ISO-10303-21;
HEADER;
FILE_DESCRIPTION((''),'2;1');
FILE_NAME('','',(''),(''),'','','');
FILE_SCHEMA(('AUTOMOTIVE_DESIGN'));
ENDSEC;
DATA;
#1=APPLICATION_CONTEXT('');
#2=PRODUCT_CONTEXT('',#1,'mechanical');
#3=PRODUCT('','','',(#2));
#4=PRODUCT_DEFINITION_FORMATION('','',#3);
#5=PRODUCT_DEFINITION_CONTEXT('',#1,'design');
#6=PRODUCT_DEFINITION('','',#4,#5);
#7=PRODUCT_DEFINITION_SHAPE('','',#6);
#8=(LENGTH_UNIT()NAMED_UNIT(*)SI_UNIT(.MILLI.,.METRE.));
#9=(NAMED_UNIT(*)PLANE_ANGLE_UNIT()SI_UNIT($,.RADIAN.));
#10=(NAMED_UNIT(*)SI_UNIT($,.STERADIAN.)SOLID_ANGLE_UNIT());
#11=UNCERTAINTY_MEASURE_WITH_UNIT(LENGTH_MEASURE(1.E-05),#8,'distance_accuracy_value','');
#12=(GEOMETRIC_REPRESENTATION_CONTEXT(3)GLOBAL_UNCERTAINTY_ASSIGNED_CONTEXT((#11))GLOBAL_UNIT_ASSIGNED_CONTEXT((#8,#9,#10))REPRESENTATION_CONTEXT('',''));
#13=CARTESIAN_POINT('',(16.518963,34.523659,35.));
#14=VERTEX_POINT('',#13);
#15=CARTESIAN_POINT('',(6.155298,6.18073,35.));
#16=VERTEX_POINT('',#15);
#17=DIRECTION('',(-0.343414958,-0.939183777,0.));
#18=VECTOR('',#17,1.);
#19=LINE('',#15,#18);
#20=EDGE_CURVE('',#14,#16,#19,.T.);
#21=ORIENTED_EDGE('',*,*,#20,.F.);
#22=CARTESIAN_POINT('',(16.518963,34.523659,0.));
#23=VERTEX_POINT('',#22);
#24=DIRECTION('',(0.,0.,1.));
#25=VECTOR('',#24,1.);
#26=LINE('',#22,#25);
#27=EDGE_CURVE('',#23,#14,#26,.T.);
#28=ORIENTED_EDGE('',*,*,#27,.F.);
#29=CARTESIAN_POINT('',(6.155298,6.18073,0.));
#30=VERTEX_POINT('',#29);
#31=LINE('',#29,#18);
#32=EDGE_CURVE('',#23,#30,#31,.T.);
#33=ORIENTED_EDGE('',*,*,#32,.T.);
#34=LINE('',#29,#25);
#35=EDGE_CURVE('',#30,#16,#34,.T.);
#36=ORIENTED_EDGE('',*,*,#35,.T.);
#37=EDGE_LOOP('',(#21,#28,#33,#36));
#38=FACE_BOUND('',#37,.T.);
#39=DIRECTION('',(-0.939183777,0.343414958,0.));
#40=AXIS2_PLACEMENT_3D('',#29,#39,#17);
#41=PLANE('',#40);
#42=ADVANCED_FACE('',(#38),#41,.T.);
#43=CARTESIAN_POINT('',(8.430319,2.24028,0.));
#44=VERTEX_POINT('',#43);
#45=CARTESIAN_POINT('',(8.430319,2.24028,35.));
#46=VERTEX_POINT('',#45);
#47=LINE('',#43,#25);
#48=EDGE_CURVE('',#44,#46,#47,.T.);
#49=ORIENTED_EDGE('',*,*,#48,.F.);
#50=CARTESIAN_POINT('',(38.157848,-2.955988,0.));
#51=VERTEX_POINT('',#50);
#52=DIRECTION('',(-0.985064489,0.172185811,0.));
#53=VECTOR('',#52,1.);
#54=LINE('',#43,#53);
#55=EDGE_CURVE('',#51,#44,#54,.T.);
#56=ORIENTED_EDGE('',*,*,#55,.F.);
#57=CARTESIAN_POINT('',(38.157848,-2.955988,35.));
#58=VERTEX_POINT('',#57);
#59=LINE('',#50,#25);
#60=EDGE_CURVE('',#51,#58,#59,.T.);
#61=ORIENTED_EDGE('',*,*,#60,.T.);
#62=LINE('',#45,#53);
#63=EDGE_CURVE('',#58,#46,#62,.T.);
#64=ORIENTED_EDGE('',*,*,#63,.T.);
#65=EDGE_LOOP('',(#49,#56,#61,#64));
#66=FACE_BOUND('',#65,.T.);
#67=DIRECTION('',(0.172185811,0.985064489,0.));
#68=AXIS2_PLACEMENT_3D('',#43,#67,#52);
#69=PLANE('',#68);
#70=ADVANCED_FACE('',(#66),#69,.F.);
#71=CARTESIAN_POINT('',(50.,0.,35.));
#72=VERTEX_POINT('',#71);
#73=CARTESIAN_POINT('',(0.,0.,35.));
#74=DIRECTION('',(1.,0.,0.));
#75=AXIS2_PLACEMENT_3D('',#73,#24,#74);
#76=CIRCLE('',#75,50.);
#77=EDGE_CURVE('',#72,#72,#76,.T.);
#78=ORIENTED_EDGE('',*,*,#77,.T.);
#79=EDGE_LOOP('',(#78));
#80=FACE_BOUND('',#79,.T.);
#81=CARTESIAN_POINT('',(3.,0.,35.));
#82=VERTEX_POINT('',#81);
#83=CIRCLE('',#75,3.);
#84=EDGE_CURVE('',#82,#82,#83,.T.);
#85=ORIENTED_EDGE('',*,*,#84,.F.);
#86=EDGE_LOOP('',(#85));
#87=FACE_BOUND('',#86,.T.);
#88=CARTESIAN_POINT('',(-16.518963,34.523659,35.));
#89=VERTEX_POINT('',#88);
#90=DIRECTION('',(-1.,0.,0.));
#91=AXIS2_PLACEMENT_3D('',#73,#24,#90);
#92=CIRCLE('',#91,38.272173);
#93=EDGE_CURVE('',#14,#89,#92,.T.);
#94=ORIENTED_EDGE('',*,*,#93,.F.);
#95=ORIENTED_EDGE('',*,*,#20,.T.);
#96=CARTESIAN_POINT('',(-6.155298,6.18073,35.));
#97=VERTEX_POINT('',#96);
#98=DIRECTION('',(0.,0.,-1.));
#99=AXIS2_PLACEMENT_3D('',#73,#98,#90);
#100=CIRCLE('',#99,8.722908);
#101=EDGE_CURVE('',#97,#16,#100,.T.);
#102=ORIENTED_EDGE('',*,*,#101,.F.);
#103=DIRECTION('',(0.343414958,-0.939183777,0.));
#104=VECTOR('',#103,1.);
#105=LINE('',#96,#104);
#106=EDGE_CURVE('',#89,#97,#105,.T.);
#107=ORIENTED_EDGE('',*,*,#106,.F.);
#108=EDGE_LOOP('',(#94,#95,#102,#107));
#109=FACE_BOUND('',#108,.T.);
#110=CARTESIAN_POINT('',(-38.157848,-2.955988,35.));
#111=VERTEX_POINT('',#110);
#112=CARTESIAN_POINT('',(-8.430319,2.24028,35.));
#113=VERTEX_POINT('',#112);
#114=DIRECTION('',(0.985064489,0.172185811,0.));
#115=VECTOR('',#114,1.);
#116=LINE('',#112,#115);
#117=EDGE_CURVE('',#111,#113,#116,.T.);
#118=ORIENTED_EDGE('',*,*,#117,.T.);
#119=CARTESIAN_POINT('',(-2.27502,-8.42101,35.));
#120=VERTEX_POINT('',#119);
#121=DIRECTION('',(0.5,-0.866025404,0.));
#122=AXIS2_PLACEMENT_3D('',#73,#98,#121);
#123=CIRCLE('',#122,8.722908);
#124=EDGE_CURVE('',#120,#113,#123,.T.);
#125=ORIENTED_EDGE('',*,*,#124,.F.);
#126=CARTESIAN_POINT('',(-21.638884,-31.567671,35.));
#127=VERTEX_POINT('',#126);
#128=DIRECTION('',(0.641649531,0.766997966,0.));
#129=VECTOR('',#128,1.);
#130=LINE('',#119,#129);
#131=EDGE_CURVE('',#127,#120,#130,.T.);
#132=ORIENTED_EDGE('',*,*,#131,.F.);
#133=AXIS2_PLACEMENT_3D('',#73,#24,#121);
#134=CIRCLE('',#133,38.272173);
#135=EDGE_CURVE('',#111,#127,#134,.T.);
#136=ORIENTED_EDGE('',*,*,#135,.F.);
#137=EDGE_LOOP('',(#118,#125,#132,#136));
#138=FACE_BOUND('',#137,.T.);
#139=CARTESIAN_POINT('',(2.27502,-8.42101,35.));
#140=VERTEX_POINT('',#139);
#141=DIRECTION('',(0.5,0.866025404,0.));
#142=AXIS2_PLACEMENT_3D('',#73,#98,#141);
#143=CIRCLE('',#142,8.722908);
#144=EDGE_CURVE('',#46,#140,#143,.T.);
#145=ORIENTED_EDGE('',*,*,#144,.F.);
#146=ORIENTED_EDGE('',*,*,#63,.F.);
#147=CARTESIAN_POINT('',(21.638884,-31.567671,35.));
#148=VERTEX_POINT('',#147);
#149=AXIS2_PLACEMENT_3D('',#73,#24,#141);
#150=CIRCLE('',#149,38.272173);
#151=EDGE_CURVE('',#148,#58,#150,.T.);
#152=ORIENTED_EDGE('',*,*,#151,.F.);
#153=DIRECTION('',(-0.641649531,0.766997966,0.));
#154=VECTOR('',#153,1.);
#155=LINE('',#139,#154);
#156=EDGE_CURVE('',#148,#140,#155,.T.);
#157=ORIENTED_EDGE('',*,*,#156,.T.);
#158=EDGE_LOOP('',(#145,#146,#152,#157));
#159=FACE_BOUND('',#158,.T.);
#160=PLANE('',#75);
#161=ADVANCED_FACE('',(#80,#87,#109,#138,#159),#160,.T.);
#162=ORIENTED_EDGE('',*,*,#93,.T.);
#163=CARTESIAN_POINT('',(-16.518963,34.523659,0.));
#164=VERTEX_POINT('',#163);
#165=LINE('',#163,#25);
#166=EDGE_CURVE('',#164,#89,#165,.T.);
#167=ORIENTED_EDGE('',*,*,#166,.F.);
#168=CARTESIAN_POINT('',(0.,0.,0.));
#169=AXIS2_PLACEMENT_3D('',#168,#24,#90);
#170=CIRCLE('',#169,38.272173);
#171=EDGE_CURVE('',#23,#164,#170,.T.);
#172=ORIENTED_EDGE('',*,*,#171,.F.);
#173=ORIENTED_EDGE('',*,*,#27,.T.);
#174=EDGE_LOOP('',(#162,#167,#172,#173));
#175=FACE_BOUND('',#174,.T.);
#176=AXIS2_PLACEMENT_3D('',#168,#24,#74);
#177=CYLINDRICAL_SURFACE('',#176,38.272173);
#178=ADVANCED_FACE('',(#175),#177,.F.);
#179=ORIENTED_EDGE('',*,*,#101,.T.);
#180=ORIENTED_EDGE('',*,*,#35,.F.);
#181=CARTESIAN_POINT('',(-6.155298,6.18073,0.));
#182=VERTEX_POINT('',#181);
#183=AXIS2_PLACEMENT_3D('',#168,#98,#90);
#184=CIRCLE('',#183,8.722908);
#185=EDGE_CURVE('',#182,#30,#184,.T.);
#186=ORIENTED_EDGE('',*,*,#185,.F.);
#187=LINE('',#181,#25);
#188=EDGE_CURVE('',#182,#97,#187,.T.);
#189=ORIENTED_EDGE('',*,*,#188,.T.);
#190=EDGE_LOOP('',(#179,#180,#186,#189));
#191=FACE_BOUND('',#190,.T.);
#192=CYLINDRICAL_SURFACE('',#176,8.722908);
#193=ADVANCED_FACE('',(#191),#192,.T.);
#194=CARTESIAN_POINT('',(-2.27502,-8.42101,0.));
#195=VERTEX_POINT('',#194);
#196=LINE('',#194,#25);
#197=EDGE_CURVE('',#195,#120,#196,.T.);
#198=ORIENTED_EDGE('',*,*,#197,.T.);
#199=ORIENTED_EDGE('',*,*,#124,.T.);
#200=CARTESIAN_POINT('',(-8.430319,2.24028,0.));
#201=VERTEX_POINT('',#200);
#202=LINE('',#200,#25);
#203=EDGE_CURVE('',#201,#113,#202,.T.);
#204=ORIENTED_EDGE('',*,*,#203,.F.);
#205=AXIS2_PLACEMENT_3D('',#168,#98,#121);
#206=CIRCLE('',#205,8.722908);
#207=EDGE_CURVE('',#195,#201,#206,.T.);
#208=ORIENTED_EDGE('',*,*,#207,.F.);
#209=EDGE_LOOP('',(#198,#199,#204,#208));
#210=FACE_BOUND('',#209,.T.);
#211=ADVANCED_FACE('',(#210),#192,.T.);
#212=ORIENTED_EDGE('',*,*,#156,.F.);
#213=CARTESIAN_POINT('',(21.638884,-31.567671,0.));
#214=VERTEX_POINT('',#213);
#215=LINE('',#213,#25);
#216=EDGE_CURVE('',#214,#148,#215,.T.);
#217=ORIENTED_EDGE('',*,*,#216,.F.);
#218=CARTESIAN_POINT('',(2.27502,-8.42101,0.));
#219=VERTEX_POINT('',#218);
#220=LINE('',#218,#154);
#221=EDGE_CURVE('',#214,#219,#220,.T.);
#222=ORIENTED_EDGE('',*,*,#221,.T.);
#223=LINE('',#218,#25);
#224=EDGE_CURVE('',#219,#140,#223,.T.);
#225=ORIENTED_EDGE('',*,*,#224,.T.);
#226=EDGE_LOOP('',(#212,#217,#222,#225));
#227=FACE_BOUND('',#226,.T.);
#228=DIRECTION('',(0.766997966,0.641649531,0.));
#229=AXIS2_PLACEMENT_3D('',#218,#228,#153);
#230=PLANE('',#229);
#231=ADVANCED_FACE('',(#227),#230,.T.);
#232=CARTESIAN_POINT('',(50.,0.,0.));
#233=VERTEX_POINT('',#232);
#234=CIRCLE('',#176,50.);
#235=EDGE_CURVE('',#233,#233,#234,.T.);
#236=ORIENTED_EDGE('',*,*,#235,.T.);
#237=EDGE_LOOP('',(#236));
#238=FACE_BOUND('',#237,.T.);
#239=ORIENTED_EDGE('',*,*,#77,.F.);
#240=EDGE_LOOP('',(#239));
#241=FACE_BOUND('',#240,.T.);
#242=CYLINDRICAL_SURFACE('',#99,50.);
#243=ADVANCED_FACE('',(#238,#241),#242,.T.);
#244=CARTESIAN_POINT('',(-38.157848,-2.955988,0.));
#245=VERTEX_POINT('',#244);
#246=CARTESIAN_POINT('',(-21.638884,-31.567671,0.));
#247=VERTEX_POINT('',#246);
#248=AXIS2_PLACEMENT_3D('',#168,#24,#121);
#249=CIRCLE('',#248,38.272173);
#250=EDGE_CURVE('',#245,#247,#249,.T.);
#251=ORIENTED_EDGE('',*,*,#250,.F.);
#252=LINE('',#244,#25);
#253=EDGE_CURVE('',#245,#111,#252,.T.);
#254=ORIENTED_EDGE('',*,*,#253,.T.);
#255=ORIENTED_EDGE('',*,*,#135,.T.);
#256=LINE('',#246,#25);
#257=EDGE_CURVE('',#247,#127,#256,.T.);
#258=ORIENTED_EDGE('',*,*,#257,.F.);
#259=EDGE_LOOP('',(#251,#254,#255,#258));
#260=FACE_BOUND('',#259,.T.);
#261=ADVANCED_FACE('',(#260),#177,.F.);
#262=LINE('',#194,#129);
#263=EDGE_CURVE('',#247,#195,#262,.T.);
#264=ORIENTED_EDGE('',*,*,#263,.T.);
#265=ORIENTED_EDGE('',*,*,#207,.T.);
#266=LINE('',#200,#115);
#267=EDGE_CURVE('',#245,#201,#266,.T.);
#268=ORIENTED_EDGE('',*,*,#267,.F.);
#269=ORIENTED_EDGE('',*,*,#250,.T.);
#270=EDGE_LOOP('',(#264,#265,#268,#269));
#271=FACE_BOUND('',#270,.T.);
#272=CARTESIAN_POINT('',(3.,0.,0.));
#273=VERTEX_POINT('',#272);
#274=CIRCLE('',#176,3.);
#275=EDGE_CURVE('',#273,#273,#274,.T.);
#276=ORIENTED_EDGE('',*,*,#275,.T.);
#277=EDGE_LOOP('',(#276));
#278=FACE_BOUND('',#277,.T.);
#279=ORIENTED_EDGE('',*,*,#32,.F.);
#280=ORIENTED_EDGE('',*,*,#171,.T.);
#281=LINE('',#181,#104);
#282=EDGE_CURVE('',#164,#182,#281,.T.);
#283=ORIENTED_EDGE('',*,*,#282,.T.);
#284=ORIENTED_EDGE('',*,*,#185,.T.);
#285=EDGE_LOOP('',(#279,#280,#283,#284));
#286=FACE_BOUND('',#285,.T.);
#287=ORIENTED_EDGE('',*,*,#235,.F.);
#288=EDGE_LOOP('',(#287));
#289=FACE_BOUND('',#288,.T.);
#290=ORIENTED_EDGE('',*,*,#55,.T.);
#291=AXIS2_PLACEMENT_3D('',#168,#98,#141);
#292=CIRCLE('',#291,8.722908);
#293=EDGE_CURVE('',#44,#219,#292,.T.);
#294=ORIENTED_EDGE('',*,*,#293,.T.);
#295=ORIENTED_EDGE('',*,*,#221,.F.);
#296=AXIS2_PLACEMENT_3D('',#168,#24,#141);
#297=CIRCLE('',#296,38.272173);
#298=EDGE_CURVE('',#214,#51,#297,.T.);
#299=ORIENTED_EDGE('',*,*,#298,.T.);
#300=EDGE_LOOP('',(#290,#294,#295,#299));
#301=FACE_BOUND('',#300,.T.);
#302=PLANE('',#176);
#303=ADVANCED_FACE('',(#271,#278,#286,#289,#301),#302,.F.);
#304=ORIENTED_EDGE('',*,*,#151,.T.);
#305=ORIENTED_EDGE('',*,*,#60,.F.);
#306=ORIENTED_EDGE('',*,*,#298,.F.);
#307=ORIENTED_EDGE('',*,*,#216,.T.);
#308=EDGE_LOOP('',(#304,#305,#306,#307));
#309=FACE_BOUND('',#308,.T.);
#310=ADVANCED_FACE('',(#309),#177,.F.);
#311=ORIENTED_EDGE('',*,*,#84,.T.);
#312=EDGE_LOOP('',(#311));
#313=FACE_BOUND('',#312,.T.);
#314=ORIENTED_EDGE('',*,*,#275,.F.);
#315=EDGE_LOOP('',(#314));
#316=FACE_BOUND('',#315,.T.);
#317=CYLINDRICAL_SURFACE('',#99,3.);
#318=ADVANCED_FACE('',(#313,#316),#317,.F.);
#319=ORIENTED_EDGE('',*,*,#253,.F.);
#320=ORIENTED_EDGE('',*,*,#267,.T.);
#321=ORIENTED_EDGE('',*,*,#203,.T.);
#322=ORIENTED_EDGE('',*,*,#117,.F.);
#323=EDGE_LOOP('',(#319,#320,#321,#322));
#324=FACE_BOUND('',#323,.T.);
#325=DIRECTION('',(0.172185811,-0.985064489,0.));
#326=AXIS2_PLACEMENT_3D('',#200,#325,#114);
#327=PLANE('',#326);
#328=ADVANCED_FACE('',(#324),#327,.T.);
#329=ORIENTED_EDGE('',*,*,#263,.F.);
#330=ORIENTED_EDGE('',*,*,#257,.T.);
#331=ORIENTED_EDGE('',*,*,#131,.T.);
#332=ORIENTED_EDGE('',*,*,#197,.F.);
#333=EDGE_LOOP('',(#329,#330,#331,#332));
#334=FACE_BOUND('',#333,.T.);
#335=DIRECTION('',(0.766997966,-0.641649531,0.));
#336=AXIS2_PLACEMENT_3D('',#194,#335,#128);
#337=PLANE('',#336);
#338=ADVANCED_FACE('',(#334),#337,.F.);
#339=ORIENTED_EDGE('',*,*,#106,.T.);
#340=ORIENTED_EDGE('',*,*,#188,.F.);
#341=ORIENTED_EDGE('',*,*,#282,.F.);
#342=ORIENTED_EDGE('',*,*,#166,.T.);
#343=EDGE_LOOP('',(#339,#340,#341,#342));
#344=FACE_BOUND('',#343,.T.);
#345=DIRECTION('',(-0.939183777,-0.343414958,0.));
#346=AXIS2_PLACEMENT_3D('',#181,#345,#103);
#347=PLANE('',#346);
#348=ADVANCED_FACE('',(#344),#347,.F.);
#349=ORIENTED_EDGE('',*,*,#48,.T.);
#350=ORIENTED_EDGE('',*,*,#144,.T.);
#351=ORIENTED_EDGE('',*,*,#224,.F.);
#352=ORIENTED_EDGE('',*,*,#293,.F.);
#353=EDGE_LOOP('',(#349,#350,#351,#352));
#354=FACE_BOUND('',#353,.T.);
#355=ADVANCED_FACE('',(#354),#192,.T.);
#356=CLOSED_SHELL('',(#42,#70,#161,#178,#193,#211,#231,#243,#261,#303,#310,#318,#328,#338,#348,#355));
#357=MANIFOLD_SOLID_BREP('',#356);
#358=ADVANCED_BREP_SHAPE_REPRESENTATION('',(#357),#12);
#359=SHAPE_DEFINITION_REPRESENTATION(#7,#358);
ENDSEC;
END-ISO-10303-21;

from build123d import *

# Parameters (mm, degrees)
SKETCH1_R            = 50
SKETCH1_R_2          = 3
BOSS_EXTRUDE1_DEPTH  = 35
CUT_EXTRUDE1_DEPTH   = 35
CIRPATTERN6_COUNT    = 3
MIRROR2_COPY_1_DEPTH = 35
MIRROR2_COPY_2_DEPTH = 35


with BuildPart() as part:
    # Sketch1 → Boss-Extrude1 (new body)
    with BuildSketch(Plane.XY):
        Circle(SKETCH1_R)
        Circle(SKETCH1_R_2, mode=Mode.SUBTRACT)
    extrude(amount=BOSS_EXTRUDE1_DEPTH)

    # Sketch3 → Cut-Extrude1 (cut)
    with BuildSketch(Plane.XY.offset(35)):
        with BuildLine():
            Line((0, 38.272172541), (0, 8.722907964))
            ThreePointArc((0, 8.722907964), (-3.329803479, 8.062352767), (-6.155298303, 6.180730228))
            Line((-6.155298303, 6.180730228), (-16.518963046, 34.523659292))
            ThreePointArc((-16.518963046, 34.523659292), (-8.469467098, 37.323281181), (0, 38.272172541))
        make_face()
    cut_extrude1 = extrude(amount=-CUT_EXTRUDE1_DEPTH, mode=Mode.SUBTRACT)

    # Mirror1: Cut-Extrude1 across plane
    add(cut_extrude1.mirror(Plane(origin=(0, 38.272172541, 0), x_dir=(0, 0, 1), z_dir=(1, 0, 0))), mode=Mode.SUBTRACT)

    # CirPattern6: Cut-Extrude1 ×3 about axis
    cirpattern6_axis = Axis((0, 0, 0), (0, 0, 1))
    for i in range(1, CIRPATTERN6_COUNT):
        add(cut_extrude1.rotate(cirpattern6_axis, i * 360 / CIRPATTERN6_COUNT), mode=Mode.SUBTRACT)

    # Mirror2: Cut-Extrude1 across plane
    add(cut_extrude1.mirror(Plane(origin=(33.144673679, -19.136086271, 0), x_dir=(0, 0, 1), z_dir=(-0.5000000000000041, -0.8660254037844364, 0))), mode=Mode.SUBTRACT)

    # Mirror2 copy 1 sketch → Mirror2 copy 1 (cut)
    with BuildSketch(Plane(origin=(0, 0, 35), x_dir=(-1, 0, 0), z_dir=(0, 0, 1))):
        with BuildLine():
            Line((0, -38.272172541), (0, -8.722907964))
            ThreePointArc((0, -8.722907964), (-3.329803479, -8.062352767), (-6.155298303, -6.180730228))
            Line((-6.155298303, -6.180730228), (-16.518963046, -34.523659292))
            ThreePointArc((-16.518963046, -34.523659292), (-8.469467098, -37.323281181), (0, -38.272172541))
        make_face()
    extrude(amount=-MIRROR2_COPY_1_DEPTH, mode=Mode.SUBTRACT)

    # Mirror2 copy 2 sketch → Mirror2 copy 2 (cut)
    with BuildSketch(Plane(origin=(0, 0, 35), x_dir=(0.5000000000000079, 0.8660254037844346, 0), z_dir=(0, 0, 1))):
        with BuildLine():
            Line((0, -38.272172541), (0, -8.722907964))
            ThreePointArc((0, -8.722907964), (-3.329803479, -8.062352767), (-6.155298303, -6.180730228))
            Line((-6.155298303, -6.180730228), (-16.518963046, -34.523659292))
            ThreePointArc((-16.518963046, -34.523659292), (-8.469467098, -37.323281181), (0, -38.272172541))
        make_face()
    extrude(amount=-MIRROR2_COPY_2_DEPTH, mode=Mode.SUBTRACT)


solid = part.part
